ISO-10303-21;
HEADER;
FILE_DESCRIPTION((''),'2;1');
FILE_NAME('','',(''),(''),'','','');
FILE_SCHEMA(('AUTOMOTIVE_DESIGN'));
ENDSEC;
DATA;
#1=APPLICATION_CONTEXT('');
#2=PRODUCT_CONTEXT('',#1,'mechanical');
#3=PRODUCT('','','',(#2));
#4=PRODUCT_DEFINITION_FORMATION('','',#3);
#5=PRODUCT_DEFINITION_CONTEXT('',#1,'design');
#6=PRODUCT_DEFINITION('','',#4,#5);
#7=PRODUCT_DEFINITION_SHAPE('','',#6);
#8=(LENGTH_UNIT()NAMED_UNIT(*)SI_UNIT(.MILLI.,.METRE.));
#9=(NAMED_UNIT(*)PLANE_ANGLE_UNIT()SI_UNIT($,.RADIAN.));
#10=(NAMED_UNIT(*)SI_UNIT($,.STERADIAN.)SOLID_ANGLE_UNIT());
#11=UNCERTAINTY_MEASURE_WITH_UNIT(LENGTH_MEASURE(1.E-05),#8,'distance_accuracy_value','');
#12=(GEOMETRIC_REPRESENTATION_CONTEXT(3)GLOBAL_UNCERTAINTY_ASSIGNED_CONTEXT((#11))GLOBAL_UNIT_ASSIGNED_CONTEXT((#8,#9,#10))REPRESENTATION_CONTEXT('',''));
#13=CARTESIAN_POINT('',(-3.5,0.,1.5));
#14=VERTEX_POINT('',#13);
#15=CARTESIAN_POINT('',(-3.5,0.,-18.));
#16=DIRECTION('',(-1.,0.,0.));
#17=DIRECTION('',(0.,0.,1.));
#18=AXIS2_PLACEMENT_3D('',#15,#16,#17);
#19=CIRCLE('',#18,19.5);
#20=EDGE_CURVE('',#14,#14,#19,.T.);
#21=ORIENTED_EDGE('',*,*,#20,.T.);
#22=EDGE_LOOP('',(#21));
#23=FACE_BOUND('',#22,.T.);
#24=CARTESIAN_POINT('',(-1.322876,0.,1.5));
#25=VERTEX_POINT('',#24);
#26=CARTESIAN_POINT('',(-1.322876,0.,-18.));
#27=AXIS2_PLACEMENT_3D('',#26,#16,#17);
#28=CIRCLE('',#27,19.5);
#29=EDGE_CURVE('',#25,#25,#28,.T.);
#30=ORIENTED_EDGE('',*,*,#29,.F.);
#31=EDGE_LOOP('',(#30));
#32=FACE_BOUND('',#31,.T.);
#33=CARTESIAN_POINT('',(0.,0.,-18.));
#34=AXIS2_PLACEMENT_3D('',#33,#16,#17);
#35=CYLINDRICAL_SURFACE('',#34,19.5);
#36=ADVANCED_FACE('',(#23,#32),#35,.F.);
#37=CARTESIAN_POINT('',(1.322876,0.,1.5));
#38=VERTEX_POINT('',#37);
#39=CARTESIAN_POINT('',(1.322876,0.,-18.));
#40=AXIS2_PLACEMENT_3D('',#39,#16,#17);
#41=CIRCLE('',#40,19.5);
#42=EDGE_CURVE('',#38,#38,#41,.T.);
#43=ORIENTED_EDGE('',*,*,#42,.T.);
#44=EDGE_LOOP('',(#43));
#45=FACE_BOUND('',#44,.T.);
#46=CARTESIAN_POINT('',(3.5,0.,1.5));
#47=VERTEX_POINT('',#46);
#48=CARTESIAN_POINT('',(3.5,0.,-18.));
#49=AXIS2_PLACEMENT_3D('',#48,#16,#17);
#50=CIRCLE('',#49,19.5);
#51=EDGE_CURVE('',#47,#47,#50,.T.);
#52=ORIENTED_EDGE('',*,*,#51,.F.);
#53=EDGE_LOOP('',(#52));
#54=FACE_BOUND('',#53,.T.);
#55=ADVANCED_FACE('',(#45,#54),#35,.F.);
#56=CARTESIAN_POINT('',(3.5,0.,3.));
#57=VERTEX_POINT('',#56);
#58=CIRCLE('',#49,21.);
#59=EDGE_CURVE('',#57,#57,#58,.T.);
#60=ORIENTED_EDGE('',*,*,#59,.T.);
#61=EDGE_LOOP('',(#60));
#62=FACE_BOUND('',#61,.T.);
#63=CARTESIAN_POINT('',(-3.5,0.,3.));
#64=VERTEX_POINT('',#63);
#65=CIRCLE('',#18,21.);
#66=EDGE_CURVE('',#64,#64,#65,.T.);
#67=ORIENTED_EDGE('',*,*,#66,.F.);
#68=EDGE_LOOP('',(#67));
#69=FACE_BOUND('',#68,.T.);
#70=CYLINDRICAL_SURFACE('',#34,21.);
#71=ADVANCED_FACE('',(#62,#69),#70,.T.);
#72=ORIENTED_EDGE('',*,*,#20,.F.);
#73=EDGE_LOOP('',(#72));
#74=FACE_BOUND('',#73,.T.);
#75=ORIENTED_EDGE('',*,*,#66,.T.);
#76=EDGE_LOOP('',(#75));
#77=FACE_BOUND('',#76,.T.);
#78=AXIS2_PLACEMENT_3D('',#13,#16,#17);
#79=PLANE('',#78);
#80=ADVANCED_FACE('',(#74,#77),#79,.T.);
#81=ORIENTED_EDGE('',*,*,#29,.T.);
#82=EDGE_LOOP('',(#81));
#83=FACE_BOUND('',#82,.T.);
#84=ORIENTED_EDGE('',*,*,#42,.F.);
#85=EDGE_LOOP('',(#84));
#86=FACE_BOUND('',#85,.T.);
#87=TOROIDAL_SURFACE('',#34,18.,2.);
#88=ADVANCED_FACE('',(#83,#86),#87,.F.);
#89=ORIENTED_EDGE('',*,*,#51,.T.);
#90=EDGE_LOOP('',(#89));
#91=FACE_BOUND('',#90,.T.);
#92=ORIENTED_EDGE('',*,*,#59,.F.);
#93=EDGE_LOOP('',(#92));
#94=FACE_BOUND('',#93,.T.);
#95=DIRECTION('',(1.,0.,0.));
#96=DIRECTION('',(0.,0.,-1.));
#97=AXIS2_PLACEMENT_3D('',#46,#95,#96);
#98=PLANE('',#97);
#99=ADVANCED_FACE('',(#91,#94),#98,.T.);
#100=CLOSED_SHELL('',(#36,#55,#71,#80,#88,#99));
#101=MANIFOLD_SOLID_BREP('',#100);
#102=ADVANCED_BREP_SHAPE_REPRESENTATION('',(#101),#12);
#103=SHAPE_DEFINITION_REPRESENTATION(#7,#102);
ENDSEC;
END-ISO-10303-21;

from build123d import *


with BuildPart() as part:
    # 草图1 → 旋转1 (revolve)
    with BuildSketch(Plane(origin=(0, 0, 0), x_dir=(1, 0, 0), z_dir=(0, 1, 0))):
        with BuildLine():
            Line((-3.5, -1.5), (-1.322875656, -1.5))
            ThreePointArc((-1.322875656, -1.5), (0, -2), (1.322875656, -1.5))
            Line((1.322875656, -1.5), (3.5, -1.5))
            Line((3.5, -1.5), (3.5, -3))
            Line((3.5, -3), (-3.5, -3))
            Line((-3.5, -3), (-3.5, -1.5))
        make_face()
    revolve(axis=Axis((0, 0, -18), (1, 0, 0)))


solid = part.part
